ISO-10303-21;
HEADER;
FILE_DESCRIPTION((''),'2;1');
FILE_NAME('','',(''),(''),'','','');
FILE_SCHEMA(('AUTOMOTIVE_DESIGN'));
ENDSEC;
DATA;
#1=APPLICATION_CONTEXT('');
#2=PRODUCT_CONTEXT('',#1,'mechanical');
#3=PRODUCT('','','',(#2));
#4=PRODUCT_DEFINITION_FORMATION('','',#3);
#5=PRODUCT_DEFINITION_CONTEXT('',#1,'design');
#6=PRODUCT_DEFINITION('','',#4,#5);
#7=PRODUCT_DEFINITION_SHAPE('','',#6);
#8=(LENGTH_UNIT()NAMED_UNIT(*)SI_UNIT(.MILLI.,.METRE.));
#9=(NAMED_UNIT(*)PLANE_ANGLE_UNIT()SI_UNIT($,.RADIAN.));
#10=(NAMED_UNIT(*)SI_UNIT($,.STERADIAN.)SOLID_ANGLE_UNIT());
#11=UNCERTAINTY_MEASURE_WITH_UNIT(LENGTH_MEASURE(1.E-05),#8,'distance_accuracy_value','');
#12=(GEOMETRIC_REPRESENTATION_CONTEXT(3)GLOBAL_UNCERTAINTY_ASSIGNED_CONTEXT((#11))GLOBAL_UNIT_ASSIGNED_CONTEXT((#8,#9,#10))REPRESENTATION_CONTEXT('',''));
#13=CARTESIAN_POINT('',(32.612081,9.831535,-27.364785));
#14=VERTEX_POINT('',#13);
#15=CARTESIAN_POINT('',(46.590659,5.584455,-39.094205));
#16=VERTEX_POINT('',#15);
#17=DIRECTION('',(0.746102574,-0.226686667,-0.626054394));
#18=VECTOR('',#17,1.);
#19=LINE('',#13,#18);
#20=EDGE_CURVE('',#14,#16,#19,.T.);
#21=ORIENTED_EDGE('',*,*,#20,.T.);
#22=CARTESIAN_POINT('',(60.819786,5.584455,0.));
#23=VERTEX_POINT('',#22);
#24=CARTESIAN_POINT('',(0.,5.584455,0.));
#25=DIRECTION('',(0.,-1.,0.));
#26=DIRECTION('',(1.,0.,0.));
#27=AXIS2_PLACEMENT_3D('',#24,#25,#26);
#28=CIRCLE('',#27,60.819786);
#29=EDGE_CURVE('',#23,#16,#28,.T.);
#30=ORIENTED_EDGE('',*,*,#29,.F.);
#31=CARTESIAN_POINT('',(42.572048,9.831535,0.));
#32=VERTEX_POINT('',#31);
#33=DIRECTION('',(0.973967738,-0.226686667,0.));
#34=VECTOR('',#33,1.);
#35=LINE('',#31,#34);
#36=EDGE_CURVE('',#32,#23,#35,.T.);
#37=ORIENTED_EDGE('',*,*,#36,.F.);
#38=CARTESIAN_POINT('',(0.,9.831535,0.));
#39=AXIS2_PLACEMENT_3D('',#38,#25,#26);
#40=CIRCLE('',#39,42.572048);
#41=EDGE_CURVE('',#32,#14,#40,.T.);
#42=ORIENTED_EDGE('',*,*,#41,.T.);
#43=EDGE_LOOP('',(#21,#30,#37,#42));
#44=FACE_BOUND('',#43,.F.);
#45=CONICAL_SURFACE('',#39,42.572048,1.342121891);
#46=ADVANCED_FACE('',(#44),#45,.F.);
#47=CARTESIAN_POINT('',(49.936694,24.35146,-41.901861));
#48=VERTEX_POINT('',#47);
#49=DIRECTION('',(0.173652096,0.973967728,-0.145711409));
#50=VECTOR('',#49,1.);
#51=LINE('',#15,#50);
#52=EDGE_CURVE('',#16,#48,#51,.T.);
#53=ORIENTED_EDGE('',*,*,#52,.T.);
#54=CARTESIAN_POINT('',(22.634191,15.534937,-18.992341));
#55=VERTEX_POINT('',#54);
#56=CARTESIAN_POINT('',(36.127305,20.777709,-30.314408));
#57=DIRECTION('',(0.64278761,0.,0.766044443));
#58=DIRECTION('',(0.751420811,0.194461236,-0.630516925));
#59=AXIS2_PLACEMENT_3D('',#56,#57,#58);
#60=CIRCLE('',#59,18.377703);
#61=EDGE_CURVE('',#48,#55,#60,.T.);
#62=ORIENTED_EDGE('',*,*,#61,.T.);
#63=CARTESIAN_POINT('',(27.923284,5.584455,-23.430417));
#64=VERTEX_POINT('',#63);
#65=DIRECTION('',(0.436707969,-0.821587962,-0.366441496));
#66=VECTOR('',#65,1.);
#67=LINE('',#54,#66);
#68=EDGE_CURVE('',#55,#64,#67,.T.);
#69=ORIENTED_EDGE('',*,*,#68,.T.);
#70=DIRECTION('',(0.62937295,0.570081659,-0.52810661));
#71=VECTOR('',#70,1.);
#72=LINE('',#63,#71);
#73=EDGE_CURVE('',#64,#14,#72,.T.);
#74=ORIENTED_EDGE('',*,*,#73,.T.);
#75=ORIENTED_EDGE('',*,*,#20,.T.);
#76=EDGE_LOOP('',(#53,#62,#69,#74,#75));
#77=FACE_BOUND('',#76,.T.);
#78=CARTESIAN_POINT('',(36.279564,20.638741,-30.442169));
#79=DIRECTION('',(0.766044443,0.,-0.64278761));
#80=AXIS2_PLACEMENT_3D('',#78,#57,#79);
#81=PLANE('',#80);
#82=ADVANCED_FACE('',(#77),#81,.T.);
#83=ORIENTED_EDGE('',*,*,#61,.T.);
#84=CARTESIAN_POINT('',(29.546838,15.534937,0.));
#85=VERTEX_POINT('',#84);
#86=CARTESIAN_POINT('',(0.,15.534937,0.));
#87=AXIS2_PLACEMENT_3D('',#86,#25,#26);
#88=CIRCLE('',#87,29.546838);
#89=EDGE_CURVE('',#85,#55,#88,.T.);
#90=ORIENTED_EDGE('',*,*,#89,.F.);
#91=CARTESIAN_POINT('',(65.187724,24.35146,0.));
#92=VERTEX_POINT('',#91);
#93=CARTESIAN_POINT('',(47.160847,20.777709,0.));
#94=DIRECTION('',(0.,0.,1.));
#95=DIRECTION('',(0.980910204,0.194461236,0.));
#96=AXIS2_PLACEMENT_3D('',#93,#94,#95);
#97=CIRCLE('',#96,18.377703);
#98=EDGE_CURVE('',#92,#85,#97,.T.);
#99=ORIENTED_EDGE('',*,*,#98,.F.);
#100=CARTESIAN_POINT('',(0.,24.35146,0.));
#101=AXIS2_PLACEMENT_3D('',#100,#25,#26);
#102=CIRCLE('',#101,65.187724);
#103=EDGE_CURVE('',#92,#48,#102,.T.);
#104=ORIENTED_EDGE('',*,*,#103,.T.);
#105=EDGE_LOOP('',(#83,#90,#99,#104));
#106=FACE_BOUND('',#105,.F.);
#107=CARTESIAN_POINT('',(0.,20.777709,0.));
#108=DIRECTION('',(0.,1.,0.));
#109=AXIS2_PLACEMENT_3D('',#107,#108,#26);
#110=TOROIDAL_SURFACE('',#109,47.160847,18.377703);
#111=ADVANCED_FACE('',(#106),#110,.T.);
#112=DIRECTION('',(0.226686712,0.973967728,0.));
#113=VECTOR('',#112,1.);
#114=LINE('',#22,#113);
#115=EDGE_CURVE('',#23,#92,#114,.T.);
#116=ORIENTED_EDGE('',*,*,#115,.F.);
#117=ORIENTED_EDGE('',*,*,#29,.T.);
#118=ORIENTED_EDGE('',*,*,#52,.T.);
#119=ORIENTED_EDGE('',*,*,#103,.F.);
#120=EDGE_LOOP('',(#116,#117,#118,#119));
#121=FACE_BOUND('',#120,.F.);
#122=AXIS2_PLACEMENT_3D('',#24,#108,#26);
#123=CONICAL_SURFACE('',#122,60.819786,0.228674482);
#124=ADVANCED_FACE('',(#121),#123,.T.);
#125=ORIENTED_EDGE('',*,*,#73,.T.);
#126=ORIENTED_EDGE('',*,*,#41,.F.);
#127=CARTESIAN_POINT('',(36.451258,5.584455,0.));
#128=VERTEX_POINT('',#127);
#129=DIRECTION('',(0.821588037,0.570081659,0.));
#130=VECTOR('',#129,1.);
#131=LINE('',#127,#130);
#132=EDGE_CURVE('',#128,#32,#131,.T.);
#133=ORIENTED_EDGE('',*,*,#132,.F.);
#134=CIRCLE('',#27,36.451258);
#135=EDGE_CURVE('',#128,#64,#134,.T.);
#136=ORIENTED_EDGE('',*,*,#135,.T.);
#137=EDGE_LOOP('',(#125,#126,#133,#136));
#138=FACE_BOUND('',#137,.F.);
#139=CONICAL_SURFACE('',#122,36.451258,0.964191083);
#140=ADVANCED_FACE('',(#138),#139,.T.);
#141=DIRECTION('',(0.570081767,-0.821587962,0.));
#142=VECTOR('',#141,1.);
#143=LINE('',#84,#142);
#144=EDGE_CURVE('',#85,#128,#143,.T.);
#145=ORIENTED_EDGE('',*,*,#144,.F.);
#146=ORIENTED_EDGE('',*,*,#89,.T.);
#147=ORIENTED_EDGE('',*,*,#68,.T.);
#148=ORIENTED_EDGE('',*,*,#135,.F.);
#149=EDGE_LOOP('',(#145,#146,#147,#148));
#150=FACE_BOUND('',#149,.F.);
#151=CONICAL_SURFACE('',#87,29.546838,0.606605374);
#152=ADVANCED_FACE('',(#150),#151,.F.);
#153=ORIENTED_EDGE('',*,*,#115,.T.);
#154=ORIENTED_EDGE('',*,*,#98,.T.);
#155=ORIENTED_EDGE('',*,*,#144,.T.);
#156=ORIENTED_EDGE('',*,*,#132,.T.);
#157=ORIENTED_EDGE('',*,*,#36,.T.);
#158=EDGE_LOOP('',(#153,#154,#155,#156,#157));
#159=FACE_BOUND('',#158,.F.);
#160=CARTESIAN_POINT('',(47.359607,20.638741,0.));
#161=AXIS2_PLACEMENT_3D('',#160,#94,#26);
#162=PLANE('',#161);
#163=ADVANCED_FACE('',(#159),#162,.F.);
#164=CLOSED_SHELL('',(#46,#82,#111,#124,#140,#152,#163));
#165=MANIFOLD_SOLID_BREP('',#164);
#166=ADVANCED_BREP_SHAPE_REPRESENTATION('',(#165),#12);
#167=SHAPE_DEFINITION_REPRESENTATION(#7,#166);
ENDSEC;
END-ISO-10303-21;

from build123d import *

# Parameters (mm, degrees)
F2_ANGLE = 320


with BuildPart() as f2:
    # F0 (on Top) → F2 (revolve)
    with BuildSketch(Plane.XY):
        with BuildLine():
            ThreePointArc((65.187724, 24.35146), (42.747755, 38.617681), (29.546838, 15.534937))
            Line((29.546838, 15.534937), (36.451258, 5.584455))
            Line((36.451258, 5.584455), (42.572048, 9.831535))
            Line((42.572048, 9.831535), (60.819786, 5.584455))
            Line((60.819786, 5.584455), (65.187724, 24.35146))
        make_face()
    revolve(axis=Axis((0, 20.042658, 0), (0, -1, 0)), revolution_arc=F2_ANGLE)


solid = f2.part
